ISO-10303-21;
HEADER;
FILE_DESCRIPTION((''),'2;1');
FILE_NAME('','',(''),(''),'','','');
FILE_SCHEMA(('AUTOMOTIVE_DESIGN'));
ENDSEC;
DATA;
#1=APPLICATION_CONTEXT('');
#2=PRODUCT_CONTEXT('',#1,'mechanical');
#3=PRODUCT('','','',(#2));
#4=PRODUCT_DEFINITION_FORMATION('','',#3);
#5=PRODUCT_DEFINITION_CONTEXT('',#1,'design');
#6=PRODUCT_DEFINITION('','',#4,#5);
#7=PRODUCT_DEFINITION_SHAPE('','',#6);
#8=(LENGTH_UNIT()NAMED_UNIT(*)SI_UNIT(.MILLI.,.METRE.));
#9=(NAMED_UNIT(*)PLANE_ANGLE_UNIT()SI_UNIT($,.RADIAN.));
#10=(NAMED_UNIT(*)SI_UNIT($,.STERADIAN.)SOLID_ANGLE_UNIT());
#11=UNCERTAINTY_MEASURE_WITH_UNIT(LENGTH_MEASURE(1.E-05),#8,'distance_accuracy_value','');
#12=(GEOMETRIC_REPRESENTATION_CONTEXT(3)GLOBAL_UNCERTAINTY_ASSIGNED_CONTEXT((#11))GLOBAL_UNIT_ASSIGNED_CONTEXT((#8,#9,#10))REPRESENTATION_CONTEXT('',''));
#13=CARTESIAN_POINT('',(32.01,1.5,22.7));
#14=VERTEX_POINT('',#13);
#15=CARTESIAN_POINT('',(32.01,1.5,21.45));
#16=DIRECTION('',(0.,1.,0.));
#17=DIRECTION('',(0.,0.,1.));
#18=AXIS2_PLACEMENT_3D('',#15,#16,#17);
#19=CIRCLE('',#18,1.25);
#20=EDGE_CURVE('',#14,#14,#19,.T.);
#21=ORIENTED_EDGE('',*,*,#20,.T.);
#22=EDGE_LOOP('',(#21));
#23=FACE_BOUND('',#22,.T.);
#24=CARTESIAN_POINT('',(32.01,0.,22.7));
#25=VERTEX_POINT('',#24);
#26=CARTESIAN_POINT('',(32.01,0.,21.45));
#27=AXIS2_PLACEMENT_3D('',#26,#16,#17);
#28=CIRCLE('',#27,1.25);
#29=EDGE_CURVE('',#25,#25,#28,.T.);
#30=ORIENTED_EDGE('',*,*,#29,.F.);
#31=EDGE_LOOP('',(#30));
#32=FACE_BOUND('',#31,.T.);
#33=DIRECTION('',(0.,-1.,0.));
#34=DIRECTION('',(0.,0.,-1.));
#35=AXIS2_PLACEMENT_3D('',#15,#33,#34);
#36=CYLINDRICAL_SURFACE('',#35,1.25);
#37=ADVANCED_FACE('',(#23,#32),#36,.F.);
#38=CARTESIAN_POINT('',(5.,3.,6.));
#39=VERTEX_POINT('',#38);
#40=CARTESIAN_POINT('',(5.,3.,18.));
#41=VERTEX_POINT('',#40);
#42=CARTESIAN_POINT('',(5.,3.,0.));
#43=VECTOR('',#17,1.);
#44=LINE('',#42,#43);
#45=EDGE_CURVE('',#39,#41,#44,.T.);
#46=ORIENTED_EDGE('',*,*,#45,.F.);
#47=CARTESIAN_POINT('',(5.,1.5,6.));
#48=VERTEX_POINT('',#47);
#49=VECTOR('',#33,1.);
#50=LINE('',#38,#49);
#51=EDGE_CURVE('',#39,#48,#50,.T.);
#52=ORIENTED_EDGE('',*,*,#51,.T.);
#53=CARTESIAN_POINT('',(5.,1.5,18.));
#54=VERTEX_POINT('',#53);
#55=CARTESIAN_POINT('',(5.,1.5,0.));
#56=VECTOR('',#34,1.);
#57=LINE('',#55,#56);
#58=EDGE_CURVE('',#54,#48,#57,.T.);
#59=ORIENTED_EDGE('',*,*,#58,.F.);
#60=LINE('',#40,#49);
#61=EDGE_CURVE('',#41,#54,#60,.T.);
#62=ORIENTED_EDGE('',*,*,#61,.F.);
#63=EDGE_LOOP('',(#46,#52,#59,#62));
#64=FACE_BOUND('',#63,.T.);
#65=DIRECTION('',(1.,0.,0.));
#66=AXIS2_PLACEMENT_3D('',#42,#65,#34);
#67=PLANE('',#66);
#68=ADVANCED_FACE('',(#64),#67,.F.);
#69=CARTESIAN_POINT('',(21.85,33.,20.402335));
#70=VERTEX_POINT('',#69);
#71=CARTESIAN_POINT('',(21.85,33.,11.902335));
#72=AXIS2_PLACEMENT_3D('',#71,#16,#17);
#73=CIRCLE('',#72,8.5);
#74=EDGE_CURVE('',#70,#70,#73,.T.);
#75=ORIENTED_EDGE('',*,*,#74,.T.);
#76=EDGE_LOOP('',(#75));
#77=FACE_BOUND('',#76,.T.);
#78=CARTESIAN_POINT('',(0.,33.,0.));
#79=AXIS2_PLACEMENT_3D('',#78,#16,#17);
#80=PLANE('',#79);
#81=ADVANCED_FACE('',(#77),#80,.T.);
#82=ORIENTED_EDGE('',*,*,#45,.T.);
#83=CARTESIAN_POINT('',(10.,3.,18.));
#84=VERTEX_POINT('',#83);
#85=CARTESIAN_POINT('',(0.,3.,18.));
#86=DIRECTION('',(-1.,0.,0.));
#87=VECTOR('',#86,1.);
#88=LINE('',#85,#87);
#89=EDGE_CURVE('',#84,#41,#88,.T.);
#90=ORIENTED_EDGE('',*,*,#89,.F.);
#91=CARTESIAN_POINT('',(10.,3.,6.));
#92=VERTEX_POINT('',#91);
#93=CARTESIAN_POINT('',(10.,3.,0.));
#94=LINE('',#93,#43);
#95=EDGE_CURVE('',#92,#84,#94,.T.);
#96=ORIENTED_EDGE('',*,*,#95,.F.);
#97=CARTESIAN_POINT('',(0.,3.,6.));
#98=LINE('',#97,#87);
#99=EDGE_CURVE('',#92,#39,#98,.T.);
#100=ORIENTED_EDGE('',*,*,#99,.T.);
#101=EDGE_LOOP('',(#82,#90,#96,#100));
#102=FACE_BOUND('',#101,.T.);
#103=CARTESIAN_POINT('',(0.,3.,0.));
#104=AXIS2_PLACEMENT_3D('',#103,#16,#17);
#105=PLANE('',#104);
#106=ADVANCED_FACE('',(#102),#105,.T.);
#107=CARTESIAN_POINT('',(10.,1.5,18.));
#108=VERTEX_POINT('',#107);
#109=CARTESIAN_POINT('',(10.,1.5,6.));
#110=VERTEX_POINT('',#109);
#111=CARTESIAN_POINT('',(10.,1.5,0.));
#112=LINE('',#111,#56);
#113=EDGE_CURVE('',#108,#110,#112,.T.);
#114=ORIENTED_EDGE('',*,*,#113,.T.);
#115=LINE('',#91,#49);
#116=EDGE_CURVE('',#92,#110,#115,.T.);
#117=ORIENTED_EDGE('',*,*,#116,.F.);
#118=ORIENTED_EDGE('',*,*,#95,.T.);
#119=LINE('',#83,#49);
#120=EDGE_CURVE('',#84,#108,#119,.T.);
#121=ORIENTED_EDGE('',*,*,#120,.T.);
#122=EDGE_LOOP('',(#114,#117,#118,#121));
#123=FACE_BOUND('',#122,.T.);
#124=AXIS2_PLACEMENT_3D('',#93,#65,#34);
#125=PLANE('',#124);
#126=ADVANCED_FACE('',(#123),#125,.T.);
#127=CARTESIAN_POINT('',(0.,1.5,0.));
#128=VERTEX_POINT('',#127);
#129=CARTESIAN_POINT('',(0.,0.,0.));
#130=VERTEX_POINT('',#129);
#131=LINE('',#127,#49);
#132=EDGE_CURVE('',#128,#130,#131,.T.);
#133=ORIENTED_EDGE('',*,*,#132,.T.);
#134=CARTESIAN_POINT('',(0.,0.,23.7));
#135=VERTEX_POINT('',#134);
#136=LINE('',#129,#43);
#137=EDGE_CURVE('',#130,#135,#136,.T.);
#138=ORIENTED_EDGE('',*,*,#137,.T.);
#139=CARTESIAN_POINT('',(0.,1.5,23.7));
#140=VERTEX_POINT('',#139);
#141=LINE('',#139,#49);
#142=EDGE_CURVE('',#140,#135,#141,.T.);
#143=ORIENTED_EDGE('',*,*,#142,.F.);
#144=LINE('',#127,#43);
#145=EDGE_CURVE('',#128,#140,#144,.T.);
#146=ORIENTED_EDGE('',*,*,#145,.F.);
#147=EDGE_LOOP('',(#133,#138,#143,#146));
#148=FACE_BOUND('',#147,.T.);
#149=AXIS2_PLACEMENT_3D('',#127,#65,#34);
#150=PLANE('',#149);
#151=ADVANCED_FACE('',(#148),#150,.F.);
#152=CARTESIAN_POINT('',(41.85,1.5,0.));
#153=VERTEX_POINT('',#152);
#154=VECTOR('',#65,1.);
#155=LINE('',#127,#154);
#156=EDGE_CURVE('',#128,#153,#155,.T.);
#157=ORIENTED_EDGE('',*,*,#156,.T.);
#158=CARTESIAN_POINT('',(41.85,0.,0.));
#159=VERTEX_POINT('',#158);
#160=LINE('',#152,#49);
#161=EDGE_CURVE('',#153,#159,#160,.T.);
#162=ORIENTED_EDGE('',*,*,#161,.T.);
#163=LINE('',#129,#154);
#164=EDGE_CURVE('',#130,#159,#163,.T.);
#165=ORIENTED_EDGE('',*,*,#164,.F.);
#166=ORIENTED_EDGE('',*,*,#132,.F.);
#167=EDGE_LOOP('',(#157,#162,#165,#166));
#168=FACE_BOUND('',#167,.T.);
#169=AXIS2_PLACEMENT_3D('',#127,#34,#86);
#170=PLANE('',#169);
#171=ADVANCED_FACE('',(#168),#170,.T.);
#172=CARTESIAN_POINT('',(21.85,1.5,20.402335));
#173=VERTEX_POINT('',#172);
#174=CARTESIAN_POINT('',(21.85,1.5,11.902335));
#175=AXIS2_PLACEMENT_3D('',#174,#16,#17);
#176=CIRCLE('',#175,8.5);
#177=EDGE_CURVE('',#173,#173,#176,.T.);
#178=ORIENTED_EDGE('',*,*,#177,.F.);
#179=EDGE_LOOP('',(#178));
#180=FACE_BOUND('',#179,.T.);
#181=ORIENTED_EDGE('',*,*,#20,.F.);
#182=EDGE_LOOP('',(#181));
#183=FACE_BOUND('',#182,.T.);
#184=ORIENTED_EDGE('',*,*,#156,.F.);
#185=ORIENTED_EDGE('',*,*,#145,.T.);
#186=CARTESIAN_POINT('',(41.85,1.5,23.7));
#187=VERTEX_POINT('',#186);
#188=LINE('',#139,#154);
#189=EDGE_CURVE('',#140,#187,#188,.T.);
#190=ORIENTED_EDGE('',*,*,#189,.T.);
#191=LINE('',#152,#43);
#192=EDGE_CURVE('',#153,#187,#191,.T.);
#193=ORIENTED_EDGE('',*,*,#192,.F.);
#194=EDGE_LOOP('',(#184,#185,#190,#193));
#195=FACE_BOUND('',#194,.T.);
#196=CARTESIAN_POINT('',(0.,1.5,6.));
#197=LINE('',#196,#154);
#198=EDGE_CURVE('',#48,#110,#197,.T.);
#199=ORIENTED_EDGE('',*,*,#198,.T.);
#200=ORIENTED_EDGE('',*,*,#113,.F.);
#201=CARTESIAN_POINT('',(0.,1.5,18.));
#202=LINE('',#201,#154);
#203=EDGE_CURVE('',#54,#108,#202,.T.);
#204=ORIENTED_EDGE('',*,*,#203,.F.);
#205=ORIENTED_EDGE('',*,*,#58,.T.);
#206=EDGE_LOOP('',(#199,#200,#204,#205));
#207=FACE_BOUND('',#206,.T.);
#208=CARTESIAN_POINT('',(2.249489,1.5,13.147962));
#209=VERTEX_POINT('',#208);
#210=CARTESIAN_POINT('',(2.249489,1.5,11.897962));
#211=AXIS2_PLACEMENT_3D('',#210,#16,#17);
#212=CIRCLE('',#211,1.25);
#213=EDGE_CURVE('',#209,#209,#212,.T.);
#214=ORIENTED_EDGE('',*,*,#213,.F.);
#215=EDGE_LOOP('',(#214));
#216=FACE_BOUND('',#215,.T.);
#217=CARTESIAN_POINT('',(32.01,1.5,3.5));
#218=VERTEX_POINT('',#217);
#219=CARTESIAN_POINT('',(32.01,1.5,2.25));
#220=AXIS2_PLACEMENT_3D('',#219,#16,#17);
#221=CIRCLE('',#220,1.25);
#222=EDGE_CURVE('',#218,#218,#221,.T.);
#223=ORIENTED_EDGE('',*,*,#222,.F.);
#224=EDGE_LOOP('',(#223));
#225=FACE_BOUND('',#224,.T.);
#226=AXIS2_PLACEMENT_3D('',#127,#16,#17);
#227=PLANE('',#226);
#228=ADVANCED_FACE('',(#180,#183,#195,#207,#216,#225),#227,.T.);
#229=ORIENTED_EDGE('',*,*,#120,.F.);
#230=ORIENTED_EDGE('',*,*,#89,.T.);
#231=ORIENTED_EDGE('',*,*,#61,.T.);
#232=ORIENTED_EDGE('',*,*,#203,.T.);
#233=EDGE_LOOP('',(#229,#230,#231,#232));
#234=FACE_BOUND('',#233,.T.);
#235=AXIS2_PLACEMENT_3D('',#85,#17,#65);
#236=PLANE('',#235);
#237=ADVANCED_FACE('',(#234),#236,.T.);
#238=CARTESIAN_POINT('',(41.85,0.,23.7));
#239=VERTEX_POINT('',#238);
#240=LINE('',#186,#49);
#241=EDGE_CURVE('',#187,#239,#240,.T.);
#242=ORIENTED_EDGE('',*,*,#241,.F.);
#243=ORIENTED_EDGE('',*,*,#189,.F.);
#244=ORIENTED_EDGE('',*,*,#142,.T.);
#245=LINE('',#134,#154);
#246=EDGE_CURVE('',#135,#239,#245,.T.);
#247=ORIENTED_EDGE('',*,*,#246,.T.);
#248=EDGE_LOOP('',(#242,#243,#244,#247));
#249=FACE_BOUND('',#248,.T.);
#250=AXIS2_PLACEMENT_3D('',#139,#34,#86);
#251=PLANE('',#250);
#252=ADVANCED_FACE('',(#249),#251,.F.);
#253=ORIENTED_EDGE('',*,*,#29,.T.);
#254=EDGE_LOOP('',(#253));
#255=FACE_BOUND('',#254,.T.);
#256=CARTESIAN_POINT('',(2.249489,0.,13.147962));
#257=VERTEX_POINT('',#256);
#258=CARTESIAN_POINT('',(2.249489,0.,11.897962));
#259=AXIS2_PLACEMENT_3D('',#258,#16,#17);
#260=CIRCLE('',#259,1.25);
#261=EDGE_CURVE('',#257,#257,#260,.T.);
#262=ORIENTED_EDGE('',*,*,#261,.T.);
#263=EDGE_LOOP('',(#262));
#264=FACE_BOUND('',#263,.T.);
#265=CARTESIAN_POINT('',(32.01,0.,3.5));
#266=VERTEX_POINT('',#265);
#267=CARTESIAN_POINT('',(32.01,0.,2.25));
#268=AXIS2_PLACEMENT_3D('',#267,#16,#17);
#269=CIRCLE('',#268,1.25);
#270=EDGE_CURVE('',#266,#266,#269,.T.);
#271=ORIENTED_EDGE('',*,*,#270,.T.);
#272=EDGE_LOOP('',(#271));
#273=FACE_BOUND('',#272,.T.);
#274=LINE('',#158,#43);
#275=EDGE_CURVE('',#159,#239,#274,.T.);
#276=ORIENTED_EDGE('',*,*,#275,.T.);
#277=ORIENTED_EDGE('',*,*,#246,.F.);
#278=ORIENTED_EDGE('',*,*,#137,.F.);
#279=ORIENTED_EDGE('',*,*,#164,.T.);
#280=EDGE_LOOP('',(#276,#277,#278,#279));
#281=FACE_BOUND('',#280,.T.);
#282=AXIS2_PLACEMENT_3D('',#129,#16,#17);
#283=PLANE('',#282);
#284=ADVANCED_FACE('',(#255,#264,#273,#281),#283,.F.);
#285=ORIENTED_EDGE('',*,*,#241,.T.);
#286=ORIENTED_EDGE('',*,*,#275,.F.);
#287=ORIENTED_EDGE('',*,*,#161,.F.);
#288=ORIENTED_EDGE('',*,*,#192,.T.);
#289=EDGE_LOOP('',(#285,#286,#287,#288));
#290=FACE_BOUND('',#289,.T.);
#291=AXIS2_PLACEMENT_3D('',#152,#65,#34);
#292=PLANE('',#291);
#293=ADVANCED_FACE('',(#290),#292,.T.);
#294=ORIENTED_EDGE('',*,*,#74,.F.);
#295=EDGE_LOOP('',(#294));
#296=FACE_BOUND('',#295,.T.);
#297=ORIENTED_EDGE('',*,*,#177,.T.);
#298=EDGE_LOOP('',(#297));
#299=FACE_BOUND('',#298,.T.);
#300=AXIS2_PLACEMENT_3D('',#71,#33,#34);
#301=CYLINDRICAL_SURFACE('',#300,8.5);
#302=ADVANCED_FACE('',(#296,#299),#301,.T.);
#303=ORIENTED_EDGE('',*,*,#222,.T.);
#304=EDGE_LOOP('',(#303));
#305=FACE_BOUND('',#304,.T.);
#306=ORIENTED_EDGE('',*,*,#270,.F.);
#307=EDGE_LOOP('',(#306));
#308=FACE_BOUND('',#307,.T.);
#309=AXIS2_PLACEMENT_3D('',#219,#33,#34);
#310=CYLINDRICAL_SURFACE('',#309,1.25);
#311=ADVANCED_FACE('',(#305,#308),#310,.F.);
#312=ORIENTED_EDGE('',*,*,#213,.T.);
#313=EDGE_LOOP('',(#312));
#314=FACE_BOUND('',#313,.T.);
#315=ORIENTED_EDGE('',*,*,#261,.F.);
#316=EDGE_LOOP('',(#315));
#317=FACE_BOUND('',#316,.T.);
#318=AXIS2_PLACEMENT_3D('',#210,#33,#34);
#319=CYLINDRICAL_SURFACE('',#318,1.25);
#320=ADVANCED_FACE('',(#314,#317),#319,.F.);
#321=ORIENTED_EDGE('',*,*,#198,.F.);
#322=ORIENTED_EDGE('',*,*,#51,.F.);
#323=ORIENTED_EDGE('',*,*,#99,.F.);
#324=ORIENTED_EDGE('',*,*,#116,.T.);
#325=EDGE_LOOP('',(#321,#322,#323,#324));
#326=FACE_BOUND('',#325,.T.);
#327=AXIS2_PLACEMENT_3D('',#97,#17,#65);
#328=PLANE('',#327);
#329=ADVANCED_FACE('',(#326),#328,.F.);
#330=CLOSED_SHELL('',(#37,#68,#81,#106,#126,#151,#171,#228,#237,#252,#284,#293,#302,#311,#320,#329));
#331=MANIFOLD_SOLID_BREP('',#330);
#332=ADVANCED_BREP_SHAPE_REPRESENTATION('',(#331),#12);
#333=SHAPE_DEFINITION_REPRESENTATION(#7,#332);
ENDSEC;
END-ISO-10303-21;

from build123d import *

# Parameters (mm, degrees)
SKETCH2_W           = 41.85
SKETCH2_H           = 23.7
SKETCH2_R           = 1.25
SKETCH2_R_2         = 8.5
BOSS_EXTRUDE1_DEPTH = 1.5
SKETCH2_3_R         = 8.5
BOSS_EXTRUDE2_DEPTH = 33
SKETCH2_6_W         = 5
SKETCH2_6_H         = 12
BOSS_EXTRUDE3_DEPTH = 3


with BuildPart() as part:
    # Sketch2 → Boss-Extrude1 (new body)
    with BuildSketch(Plane(origin=(0, 0, 0), x_dir=(1, 0, 0), z_dir=(0, 1, 0))):
        with Locations((20.925, -11.85)):
            Rectangle(SKETCH2_W, SKETCH2_H)
        with Locations((32.01, -2.25)):
            Circle(SKETCH2_R, mode=Mode.SUBTRACT)
        with Locations((21.85, -11.902335017)):
            Circle(SKETCH2_R_2, mode=Mode.SUBTRACT)
        with Locations((32.01, -21.45)):
            Circle(SKETCH2_R, mode=Mode.SUBTRACT)
        with Locations((2.249488742, -11.897962459)):
            Circle(SKETCH2_R, mode=Mode.SUBTRACT)
    extrude(amount=BOSS_EXTRUDE1_DEPTH)

    # Sketch2<3> → Boss-Extrude2 (add)
    with BuildSketch(Plane(origin=(0, 0, 0), x_dir=(1, 0, 0), z_dir=(0, 1, 0))):
        with Locations((21.85, -11.902335017)):
            Circle(SKETCH2_3_R)
    extrude(amount=BOSS_EXTRUDE2_DEPTH)

    # Sketch2<6> → Boss-Extrude3 (add)
    with BuildSketch(Plane(origin=(0, 0, 0), x_dir=(1, 0, 0), z_dir=(0, 1, 0))):
        with Locations((7.5, -12)):
            Rectangle(SKETCH2_6_W, SKETCH2_6_H)
    extrude(amount=BOSS_EXTRUDE3_DEPTH)


solid = part.part
